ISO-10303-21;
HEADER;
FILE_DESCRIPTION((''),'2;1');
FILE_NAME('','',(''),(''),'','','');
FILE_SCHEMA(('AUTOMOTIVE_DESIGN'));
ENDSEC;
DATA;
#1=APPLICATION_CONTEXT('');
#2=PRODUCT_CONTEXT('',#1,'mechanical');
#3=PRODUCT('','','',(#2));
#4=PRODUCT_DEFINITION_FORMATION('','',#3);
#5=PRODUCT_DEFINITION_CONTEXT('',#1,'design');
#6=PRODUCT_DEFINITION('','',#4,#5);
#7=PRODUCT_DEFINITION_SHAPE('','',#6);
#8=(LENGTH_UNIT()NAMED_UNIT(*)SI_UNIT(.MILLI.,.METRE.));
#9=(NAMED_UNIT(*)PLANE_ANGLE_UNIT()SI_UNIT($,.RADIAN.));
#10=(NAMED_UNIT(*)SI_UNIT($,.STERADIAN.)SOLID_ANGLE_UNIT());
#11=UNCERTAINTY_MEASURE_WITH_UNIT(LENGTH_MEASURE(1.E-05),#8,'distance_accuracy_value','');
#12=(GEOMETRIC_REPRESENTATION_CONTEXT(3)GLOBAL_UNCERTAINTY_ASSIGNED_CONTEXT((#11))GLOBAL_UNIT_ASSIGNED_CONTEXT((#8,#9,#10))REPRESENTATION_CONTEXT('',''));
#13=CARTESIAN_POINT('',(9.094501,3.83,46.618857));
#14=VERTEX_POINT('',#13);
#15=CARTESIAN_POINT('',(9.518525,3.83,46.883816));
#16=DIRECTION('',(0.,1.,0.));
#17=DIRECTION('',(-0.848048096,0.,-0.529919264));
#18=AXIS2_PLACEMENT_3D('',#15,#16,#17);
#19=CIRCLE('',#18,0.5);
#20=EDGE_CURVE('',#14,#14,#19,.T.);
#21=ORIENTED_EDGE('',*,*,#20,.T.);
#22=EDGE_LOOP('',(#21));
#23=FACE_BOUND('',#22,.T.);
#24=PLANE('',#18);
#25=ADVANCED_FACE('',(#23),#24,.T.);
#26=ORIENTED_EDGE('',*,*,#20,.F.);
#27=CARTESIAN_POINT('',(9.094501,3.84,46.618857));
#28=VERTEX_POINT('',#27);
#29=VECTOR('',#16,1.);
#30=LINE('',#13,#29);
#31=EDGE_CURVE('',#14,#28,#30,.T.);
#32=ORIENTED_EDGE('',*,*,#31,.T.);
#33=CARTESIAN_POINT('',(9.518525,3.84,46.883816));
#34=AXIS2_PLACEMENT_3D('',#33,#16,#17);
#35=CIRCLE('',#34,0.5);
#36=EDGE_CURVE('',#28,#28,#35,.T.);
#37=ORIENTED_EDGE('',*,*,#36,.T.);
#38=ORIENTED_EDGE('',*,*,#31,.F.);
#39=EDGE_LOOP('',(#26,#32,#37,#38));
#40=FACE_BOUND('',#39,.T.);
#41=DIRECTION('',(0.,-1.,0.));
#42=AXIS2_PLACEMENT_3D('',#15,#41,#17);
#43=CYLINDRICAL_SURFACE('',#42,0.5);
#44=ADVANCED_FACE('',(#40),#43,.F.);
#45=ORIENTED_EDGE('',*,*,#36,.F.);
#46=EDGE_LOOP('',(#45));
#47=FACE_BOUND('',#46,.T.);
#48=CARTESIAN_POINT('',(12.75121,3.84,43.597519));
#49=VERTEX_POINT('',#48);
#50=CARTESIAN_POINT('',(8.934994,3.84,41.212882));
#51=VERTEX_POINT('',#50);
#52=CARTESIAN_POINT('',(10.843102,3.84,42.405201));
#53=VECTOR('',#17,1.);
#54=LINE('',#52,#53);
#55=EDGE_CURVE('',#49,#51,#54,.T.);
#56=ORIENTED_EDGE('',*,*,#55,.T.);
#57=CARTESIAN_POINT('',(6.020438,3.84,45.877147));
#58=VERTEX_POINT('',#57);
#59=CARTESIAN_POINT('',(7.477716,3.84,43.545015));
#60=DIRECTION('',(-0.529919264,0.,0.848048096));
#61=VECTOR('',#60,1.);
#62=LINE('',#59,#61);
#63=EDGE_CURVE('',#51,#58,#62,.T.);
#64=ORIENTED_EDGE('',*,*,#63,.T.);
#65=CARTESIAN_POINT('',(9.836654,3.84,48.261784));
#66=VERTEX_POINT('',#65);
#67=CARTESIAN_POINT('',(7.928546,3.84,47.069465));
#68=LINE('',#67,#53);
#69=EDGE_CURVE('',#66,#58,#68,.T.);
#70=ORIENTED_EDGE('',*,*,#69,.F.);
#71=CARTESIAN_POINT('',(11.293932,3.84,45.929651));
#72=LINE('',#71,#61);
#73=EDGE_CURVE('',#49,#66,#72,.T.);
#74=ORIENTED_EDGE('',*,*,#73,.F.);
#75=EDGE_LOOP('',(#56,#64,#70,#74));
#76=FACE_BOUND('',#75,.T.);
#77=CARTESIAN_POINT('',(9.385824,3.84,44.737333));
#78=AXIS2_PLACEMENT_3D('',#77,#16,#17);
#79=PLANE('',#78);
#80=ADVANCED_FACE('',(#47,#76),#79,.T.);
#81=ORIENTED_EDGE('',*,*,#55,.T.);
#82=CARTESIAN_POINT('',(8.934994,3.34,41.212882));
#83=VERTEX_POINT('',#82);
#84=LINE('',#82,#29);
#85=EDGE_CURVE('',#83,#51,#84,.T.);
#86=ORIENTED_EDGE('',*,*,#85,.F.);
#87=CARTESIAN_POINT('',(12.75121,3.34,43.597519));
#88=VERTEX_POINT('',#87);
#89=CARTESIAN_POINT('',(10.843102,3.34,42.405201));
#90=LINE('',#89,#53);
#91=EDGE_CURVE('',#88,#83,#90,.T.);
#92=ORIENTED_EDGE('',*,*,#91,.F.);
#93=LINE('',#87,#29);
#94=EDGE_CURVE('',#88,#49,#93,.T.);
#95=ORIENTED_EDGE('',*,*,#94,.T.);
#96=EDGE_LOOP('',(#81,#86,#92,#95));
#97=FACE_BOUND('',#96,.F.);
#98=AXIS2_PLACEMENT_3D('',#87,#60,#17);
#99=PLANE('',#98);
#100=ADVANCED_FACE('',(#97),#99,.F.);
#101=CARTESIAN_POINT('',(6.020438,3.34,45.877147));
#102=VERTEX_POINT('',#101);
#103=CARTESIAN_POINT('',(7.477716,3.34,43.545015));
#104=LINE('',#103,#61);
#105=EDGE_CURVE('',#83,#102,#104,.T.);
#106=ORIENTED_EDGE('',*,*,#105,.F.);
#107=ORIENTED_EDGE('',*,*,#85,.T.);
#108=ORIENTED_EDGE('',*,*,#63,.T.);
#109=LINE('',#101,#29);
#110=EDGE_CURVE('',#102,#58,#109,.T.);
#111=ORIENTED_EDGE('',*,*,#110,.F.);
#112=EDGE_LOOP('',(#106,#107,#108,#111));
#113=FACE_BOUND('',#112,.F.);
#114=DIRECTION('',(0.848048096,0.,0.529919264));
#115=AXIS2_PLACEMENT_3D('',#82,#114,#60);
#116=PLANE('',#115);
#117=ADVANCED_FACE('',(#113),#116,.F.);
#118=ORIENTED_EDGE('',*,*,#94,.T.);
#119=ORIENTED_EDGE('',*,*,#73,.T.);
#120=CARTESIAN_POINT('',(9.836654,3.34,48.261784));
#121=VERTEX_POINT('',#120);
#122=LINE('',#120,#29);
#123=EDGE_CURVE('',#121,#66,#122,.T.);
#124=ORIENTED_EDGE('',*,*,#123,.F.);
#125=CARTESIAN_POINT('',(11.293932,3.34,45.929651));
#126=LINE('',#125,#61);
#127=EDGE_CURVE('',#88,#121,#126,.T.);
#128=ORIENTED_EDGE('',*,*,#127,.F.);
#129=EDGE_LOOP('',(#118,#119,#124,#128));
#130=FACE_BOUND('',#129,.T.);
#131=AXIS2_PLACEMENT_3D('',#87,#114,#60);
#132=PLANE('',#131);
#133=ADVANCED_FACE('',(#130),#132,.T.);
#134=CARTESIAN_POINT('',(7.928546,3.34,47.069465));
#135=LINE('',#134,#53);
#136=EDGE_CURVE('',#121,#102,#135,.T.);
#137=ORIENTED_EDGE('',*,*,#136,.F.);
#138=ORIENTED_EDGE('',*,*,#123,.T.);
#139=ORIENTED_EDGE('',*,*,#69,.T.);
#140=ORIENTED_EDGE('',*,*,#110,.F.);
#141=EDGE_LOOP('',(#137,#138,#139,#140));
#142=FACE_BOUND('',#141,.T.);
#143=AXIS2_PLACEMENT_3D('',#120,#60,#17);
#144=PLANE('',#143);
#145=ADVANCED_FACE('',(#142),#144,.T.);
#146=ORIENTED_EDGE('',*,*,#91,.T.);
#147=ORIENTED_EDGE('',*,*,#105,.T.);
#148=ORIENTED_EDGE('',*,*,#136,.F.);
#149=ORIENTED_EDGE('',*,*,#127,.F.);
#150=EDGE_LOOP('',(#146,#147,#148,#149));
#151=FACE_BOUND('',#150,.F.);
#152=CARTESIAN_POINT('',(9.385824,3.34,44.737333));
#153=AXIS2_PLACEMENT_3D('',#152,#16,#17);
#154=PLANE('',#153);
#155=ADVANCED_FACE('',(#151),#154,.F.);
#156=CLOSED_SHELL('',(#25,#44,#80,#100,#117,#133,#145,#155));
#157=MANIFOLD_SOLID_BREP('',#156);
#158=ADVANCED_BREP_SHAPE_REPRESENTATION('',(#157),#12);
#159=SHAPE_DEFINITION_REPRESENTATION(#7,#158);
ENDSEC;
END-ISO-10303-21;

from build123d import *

# Parameters (mm, degrees)
CYLINDER074_R          = 0.5
CYLINDER074_DEPTH      = 0.01
BOX165_W               = 4.5
BOX165_H               = 5.5
BOX165_DEPTH           = 0.5
CUT081_ROLL_ANGLE      = 90
CUT081_PITCH_ANGLE     = 32
CUT081_PLACEMENT_ANGLE = -180


with BuildPart() as cylinder074:
    # Cylinder074 → Cylinder074 (new body)
    with BuildSketch(Plane(origin=(1, 4.5, 0.49), x_dir=(1, 0, 0), z_dir=(0, 0, 1))):
        Circle(CYLINDER074_R)
    extrude(amount=CYLINDER074_DEPTH)


with BuildPart() as small_linbo3_plate075:
    # Box165 → Box165 (new body)
    with BuildSketch(Plane.XY):
        with Locations((2.25, 2.75)):
            Rectangle(BOX165_W, BOX165_H)
    extrude(amount=BOX165_DEPTH)

    # Cut081: cut Cylinder074
    add(cylinder074.part, mode=Mode.SUBTRACT)


with BuildPart() as small_linbo3_plate075_1:
    # Cut081 roll: moved
    add(small_linbo3_plate075.part.rotate(Axis((0, 0, 0), (1, 0, 0)), CUT081_ROLL_ANGLE))


with BuildPart() as small_linbo3_plate075_2:
    # Cut081 pitch: moved
    add(small_linbo3_plate075_1.part.rotate(Axis((0, 0, 0), (0, 1, 0)), CUT081_PITCH_ANGLE))


with BuildPart() as small_linbo3_plate075_3:
    # Cut081 placement: moved
    add(small_linbo3_plate075_2.part.moved(Location((12.75121, 3.34, 43.597519))).rotate(Axis((12.75121, 3.34, 43.597519), (0, 0, 1)), CUT081_PLACEMENT_ANGLE))


solid = small_linbo3_plate075_3.part
